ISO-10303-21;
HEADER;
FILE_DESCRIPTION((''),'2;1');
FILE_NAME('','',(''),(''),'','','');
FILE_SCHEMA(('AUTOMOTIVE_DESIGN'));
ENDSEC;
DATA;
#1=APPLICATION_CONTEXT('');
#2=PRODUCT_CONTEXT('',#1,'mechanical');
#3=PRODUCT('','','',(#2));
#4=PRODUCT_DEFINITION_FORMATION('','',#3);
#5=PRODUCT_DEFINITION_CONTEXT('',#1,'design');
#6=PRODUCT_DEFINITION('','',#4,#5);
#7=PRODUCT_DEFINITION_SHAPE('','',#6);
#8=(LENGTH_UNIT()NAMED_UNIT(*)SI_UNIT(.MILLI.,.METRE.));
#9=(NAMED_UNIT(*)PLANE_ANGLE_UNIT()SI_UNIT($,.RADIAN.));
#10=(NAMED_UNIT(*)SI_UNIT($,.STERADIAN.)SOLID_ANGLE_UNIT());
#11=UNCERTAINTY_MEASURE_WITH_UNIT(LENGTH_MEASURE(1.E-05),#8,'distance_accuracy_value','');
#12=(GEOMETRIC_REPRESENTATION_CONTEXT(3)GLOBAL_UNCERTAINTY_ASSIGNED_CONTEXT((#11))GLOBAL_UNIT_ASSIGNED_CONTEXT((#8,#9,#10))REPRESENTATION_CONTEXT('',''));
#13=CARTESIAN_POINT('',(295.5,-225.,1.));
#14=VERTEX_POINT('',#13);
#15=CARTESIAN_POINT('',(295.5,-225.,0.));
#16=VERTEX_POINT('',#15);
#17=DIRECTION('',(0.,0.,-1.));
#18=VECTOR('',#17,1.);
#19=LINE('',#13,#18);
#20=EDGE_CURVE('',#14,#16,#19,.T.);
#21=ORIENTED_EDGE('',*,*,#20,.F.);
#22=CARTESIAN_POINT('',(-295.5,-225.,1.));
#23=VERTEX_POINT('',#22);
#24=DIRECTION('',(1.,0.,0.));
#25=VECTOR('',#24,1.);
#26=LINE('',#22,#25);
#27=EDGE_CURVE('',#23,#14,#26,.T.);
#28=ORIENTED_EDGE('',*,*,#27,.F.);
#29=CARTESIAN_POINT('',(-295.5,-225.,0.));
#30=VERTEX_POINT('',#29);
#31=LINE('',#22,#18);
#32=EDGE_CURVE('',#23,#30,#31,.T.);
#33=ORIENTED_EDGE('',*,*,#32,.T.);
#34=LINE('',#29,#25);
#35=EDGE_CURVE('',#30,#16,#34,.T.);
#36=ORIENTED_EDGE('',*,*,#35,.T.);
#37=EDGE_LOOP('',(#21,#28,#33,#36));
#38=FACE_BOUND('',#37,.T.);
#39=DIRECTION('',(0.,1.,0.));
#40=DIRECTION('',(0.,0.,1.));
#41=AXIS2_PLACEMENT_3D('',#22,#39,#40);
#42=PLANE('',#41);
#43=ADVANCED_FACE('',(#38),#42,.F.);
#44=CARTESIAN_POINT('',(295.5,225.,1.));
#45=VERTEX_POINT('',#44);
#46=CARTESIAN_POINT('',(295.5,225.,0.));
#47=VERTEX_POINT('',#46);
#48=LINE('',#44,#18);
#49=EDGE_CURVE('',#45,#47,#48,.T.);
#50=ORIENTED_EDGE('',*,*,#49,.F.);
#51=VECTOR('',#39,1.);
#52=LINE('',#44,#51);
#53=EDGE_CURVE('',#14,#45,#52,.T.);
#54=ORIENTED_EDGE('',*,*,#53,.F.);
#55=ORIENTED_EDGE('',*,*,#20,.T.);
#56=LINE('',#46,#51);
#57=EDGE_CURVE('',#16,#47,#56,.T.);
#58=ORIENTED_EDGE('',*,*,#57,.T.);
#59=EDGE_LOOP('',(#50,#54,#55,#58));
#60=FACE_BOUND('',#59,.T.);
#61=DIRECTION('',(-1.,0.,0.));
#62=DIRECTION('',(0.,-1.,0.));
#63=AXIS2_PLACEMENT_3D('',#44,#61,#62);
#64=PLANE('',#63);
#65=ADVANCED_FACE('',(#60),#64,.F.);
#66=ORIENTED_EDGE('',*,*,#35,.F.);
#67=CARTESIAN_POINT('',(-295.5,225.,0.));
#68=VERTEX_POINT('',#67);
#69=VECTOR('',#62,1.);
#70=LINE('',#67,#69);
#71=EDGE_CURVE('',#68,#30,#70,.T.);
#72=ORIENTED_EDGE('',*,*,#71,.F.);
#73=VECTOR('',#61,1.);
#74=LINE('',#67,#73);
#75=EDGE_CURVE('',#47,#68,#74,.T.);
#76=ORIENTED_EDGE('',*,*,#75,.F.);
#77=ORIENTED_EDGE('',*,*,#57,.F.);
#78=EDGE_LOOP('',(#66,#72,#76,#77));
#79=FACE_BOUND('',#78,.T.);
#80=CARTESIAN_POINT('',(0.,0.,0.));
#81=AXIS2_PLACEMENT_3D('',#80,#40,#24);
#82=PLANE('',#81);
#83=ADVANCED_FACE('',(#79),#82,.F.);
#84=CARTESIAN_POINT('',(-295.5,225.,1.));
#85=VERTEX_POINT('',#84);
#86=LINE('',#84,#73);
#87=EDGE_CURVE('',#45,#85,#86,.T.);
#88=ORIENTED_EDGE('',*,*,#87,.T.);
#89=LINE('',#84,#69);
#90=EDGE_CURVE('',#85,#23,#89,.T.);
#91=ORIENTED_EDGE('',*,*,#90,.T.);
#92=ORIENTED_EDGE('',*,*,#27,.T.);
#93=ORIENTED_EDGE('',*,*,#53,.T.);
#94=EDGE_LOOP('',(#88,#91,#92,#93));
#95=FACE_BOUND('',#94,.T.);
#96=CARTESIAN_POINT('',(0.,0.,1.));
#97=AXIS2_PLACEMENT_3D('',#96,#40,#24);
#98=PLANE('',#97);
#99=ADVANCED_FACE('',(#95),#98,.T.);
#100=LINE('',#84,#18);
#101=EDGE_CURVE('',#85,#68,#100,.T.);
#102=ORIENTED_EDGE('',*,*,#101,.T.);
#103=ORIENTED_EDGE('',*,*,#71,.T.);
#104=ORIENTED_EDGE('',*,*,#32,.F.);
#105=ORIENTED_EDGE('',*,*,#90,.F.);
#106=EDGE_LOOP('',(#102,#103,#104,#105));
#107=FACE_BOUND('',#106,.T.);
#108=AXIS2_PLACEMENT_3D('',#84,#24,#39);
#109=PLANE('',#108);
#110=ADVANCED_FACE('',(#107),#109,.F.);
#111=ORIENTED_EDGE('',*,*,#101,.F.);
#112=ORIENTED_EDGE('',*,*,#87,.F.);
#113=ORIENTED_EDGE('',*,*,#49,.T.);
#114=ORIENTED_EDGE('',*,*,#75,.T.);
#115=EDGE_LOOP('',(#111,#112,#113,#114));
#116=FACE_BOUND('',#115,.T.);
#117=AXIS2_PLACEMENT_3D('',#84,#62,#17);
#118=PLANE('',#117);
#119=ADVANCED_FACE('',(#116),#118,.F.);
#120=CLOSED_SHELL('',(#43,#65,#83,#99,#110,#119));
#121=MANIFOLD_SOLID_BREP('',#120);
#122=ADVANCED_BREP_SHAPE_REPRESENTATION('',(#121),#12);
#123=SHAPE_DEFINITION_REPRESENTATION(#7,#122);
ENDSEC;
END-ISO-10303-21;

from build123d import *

# Parameters (mm, degrees)
SKETCH1_W           = 591
SKETCH1_H           = 450
BOSS_EXTRUDE1_DEPTH = 1


with BuildPart() as part:
    # Sketch1 → Boss-Extrude1 (new body)
    with BuildSketch(Plane.XY):
        Rectangle(SKETCH1_W, SKETCH1_H)
    extrude(amount=BOSS_EXTRUDE1_DEPTH)


solid = part.part
